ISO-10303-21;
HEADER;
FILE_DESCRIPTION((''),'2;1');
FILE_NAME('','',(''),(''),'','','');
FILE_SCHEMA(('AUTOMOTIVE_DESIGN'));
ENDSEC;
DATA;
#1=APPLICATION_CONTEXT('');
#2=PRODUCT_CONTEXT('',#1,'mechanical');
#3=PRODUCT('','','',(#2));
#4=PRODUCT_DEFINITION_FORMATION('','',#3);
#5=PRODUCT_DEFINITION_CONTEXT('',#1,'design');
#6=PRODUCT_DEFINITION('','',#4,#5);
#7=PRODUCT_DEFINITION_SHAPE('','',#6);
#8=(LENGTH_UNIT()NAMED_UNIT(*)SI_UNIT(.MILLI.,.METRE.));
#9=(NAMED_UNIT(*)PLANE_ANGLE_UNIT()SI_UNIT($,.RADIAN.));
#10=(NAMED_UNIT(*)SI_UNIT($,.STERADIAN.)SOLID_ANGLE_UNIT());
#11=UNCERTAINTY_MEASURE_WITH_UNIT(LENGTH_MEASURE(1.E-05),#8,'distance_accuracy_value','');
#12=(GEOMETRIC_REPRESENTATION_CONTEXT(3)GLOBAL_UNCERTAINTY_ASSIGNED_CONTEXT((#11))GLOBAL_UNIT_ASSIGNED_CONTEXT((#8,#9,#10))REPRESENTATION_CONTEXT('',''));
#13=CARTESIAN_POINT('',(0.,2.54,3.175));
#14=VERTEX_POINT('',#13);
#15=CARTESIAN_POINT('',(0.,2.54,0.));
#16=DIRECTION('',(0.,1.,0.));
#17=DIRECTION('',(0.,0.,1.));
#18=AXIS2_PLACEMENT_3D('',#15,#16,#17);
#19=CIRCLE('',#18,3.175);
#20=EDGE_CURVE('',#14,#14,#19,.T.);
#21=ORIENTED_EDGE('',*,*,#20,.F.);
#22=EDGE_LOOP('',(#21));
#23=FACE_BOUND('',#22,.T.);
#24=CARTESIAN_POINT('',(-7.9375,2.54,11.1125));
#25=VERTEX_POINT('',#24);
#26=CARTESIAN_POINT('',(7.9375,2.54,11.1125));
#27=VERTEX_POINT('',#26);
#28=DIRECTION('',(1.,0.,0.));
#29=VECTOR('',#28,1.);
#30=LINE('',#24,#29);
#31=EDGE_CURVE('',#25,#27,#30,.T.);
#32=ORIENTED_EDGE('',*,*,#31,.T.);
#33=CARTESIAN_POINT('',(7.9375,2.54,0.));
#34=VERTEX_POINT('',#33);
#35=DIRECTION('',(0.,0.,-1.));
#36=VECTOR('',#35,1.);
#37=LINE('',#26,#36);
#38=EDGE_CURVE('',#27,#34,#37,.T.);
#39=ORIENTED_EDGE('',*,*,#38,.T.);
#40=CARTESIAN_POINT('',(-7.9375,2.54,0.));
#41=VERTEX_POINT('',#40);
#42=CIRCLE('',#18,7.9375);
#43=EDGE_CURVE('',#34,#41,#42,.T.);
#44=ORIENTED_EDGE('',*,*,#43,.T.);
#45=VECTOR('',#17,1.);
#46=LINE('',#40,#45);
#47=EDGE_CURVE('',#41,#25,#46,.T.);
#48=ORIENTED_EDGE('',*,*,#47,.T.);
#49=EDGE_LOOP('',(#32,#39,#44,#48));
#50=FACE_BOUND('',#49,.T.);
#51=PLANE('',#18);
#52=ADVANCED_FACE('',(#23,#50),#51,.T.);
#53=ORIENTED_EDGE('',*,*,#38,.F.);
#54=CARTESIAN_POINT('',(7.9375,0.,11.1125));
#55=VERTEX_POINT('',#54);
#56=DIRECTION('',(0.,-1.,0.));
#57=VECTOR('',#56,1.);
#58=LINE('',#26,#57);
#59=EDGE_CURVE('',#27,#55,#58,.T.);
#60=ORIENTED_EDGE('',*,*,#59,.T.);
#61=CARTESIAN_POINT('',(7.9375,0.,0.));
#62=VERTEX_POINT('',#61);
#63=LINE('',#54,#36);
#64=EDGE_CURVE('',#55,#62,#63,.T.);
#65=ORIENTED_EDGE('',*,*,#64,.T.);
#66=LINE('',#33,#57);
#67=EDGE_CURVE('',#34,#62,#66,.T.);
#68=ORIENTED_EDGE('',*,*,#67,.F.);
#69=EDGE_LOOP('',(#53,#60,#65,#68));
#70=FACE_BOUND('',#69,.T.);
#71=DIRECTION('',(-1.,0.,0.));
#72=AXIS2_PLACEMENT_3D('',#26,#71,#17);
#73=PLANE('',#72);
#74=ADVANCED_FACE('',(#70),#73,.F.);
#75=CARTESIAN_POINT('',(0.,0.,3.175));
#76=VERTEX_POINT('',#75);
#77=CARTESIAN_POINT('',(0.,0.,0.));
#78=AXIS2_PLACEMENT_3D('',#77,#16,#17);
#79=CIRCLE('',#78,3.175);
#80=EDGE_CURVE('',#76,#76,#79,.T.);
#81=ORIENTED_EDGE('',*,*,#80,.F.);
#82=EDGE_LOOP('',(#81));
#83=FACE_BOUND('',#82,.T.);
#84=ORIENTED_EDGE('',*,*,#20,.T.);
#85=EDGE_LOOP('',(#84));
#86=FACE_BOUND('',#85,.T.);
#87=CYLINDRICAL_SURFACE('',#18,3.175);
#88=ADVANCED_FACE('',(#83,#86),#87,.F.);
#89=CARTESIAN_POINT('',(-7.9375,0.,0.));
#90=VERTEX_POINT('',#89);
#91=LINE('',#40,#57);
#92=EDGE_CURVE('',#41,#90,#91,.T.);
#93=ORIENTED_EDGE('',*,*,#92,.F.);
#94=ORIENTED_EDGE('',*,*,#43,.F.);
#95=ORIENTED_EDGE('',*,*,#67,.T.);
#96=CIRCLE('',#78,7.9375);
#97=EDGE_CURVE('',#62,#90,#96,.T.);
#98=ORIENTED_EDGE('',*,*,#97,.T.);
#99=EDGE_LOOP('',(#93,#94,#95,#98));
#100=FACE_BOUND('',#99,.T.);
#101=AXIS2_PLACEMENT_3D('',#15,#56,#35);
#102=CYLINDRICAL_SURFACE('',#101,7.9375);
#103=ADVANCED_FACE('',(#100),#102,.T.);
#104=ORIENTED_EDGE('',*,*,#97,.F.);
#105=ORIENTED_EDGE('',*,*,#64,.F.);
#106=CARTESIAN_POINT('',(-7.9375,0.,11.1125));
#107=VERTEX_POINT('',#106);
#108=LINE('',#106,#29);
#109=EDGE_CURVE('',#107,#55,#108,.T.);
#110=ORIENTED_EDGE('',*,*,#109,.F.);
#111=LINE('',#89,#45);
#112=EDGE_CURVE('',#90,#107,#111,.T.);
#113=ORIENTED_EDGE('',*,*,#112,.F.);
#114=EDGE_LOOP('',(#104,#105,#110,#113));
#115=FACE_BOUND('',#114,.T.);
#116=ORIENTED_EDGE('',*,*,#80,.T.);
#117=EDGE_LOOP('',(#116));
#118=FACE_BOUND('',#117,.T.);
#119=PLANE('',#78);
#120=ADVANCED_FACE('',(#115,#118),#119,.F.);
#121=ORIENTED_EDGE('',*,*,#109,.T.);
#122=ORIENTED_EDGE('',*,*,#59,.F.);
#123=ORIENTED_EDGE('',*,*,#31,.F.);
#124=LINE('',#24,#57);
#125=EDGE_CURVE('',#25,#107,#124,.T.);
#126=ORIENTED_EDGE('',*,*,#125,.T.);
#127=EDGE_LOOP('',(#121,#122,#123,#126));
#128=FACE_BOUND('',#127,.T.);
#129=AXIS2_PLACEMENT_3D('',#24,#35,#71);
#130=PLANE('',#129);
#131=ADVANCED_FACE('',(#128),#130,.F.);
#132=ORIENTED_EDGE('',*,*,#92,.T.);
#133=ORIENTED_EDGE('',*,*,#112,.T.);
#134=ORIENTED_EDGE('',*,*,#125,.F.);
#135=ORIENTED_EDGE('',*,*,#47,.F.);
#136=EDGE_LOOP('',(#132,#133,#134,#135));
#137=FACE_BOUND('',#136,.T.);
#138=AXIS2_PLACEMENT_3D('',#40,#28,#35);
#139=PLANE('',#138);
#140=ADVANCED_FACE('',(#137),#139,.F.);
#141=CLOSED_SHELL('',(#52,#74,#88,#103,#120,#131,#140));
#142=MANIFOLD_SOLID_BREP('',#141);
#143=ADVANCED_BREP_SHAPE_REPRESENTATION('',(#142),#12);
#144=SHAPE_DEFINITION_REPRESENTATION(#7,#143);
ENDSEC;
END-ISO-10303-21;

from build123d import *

# Parameters (mm, degrees)
BOSS_EXTRUDE1_DEPTH         = 2.54
F_1_4_0_25_DIAMETER_HOLE1_D = 6.35


with BuildPart() as part:
    # Sketch1 → Boss-Extrude1 (new body)
    with BuildSketch(Plane(origin=(0, 0, 0), x_dir=(1, 0, 0), z_dir=(0, 1, 0))):
        with BuildLine():
            Line((-7.9375, -11.1125), (7.9375, -11.1125))
            Line((7.9375, -11.1125), (7.9375, 0))
            ThreePointArc((7.9375, 0), (0, 7.9375), (-7.9375, 0))
            Line((-7.9375, 0), (-7.9375, -11.1125))
        make_face()
    extrude(amount=BOSS_EXTRUDE1_DEPTH)

    # 1/4 (0.25) Diameter Hole1 (through all)
    with Locations(Plane(origin=(0, 2.54, 0), x_dir=(1, 0, 0), z_dir=(0, 1, 0))):
        with Locations((0, 0)):
            Hole(F_1_4_0_25_DIAMETER_HOLE1_D / 2)


solid = part.part
